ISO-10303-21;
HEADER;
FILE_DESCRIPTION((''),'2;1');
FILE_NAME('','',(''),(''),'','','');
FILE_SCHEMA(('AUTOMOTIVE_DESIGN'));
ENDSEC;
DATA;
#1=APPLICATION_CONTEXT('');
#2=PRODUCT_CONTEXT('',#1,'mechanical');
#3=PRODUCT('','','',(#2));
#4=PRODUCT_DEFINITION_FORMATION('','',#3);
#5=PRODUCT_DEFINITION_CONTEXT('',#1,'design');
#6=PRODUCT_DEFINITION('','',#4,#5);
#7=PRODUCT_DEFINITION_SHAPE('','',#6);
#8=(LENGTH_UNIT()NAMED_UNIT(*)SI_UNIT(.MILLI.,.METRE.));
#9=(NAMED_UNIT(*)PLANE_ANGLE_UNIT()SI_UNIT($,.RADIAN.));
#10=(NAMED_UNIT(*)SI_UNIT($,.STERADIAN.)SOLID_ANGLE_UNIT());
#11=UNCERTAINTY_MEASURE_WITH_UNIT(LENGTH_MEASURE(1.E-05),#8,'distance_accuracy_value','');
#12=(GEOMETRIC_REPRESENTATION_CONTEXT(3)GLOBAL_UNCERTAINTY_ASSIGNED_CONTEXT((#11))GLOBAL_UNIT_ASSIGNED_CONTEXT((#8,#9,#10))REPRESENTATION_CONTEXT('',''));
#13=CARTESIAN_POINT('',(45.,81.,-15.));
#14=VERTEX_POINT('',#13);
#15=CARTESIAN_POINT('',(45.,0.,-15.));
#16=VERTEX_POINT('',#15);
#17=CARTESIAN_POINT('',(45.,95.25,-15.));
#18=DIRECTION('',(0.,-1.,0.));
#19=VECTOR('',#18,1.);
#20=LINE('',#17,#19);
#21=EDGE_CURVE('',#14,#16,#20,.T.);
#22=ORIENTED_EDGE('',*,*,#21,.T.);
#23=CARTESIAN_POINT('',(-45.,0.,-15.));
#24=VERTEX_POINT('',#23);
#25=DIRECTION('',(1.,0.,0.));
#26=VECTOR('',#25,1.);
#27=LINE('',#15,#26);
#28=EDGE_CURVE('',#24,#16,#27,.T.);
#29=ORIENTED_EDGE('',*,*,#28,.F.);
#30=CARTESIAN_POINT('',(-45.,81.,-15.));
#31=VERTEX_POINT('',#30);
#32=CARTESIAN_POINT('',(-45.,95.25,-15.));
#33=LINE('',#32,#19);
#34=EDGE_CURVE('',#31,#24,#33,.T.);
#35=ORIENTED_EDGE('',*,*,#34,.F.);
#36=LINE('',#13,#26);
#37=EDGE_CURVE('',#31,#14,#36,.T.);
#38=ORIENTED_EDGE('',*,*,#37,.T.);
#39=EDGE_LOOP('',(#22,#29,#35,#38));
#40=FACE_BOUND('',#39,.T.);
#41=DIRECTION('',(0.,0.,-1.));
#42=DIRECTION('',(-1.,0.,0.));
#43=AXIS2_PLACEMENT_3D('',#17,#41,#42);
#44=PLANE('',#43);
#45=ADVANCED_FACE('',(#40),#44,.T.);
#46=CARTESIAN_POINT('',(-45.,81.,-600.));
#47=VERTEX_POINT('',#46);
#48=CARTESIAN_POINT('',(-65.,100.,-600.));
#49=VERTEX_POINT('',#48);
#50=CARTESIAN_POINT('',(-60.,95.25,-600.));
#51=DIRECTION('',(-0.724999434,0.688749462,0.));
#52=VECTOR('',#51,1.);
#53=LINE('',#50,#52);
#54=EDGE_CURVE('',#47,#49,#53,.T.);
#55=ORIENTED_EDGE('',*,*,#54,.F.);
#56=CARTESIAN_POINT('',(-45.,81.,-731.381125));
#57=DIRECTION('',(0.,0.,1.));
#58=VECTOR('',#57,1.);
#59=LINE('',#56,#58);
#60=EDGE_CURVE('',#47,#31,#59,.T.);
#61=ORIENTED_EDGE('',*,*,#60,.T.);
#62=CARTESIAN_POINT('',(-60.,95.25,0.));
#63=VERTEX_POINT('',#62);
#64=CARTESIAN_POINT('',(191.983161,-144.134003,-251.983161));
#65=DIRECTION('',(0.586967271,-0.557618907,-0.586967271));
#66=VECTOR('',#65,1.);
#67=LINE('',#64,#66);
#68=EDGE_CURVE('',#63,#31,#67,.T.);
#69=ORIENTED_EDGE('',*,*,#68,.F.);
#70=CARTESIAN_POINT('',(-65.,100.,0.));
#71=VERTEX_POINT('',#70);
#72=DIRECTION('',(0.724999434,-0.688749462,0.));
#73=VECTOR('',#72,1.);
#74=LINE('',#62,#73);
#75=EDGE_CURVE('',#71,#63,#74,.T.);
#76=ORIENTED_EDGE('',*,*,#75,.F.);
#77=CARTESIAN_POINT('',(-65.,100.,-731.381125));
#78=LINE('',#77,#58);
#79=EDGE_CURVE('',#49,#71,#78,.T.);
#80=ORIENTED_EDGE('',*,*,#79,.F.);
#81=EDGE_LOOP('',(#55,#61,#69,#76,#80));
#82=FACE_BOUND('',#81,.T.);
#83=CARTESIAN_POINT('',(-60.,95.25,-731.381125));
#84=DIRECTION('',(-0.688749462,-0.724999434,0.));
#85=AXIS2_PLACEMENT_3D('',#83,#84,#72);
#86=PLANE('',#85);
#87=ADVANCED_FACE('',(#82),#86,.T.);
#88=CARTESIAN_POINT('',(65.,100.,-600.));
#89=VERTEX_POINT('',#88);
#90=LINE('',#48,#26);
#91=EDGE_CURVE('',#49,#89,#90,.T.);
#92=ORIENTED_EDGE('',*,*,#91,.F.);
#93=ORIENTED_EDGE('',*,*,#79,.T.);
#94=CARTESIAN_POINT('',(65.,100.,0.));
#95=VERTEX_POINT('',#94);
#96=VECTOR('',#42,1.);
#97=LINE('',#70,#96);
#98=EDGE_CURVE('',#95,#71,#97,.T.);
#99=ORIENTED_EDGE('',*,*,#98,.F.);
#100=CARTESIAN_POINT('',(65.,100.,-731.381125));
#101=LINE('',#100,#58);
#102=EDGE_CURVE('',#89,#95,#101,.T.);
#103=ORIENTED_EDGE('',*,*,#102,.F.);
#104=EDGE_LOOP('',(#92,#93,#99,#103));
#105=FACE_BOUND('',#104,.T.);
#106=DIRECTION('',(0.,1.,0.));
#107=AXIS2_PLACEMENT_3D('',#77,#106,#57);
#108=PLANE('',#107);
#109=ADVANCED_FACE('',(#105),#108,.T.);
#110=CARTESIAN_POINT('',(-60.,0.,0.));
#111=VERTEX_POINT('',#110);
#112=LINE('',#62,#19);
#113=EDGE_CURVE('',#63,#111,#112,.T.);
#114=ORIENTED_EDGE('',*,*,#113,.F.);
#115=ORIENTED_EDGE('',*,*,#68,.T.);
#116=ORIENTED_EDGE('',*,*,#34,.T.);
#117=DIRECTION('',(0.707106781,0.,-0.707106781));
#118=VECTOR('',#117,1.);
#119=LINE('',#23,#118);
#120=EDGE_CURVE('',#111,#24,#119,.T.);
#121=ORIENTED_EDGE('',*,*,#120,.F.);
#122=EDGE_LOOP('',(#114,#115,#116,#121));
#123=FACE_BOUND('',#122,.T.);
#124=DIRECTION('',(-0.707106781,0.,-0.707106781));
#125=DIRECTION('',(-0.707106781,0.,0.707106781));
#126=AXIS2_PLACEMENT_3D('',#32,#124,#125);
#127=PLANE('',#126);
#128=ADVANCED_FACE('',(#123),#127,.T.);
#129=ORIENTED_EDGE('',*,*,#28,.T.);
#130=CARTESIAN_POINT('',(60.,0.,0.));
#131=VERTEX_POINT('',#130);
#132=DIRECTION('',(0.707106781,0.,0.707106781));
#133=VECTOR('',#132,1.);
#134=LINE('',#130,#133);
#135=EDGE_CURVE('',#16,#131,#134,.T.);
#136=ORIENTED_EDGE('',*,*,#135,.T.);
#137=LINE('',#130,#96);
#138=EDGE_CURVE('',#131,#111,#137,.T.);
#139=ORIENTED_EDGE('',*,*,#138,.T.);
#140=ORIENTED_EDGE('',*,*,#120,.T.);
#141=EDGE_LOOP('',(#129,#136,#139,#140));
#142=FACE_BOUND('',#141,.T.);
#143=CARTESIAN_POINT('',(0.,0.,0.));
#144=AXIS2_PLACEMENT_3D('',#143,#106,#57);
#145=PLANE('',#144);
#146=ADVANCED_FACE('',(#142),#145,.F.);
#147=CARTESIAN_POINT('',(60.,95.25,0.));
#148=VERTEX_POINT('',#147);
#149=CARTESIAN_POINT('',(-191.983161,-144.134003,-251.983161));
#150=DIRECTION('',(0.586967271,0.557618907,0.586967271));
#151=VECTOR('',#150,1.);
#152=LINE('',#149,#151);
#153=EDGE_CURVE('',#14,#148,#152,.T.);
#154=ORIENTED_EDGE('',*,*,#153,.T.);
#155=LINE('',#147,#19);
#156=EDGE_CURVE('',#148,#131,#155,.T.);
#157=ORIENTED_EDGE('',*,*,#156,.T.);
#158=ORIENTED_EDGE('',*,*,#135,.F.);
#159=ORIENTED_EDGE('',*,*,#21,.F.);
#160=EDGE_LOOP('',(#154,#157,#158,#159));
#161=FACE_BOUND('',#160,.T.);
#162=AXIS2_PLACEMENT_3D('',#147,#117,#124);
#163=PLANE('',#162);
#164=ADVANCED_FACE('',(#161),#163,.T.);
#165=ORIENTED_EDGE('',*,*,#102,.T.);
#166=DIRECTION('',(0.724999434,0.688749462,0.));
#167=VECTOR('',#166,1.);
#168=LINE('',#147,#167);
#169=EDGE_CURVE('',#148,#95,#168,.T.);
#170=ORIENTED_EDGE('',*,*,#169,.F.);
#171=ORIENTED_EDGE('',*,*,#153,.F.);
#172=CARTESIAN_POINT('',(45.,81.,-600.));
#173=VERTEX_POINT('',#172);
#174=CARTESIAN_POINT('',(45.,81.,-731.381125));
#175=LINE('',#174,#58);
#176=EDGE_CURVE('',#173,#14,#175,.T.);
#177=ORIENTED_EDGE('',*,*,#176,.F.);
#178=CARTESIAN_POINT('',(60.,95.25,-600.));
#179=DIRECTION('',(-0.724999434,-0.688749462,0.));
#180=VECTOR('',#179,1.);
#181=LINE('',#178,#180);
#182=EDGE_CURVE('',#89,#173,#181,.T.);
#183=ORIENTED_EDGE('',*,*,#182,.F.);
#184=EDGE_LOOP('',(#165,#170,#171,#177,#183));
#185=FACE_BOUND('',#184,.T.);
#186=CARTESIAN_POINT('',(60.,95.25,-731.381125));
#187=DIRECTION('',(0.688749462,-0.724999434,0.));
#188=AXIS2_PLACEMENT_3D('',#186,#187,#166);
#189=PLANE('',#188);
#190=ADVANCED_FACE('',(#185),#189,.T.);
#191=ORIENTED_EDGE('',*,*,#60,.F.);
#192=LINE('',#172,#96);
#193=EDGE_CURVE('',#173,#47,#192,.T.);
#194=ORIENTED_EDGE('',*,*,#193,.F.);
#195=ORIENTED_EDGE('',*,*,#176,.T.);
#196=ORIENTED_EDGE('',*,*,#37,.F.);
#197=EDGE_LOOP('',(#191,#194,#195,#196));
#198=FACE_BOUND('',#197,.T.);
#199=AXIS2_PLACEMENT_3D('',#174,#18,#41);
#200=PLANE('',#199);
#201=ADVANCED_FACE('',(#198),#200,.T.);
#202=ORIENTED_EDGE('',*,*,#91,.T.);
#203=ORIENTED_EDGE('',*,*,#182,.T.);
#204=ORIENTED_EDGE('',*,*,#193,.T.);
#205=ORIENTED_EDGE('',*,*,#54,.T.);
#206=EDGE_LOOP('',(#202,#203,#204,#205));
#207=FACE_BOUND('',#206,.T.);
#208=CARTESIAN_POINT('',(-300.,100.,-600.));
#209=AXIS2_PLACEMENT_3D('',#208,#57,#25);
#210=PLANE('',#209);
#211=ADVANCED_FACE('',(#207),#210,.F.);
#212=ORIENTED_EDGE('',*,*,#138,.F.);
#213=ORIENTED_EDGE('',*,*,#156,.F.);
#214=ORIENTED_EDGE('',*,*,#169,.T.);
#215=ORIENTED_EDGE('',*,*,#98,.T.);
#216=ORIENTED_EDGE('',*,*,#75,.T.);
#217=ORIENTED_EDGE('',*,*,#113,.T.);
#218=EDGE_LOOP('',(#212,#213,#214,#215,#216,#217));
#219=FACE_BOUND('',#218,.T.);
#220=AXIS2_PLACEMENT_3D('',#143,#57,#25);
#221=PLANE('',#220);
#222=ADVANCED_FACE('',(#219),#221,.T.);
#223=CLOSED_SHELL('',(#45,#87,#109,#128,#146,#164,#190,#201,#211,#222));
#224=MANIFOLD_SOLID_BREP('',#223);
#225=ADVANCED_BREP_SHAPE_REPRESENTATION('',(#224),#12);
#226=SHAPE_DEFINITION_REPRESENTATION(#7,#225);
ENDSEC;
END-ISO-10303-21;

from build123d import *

# Parameters (mm, degrees)
BOSS_EXTRUDE1_DEPTH = 600
BOSS_EXTRUDE2_DEPTH = 100


with BuildPart() as part:
    # Sketch1 → Boss-Extrude1 (new body)
    with BuildSketch(Plane.XY):
        Polygon((-65, 100), (65, 100), (60, 95.25), (45, 81), (-45, 81), (-60, 95.25), align=None)
    extrude(amount=-BOSS_EXTRUDE1_DEPTH)

    # Sketch2 → Boss-Extrude2 (add)
    with BuildSketch(Plane.XZ):
        Polygon((-45, -15), (-60, 0), (60, 0), (45, -15), align=None)
    extrude(amount=-BOSS_EXTRUDE2_DEPTH)


solid = part.part
